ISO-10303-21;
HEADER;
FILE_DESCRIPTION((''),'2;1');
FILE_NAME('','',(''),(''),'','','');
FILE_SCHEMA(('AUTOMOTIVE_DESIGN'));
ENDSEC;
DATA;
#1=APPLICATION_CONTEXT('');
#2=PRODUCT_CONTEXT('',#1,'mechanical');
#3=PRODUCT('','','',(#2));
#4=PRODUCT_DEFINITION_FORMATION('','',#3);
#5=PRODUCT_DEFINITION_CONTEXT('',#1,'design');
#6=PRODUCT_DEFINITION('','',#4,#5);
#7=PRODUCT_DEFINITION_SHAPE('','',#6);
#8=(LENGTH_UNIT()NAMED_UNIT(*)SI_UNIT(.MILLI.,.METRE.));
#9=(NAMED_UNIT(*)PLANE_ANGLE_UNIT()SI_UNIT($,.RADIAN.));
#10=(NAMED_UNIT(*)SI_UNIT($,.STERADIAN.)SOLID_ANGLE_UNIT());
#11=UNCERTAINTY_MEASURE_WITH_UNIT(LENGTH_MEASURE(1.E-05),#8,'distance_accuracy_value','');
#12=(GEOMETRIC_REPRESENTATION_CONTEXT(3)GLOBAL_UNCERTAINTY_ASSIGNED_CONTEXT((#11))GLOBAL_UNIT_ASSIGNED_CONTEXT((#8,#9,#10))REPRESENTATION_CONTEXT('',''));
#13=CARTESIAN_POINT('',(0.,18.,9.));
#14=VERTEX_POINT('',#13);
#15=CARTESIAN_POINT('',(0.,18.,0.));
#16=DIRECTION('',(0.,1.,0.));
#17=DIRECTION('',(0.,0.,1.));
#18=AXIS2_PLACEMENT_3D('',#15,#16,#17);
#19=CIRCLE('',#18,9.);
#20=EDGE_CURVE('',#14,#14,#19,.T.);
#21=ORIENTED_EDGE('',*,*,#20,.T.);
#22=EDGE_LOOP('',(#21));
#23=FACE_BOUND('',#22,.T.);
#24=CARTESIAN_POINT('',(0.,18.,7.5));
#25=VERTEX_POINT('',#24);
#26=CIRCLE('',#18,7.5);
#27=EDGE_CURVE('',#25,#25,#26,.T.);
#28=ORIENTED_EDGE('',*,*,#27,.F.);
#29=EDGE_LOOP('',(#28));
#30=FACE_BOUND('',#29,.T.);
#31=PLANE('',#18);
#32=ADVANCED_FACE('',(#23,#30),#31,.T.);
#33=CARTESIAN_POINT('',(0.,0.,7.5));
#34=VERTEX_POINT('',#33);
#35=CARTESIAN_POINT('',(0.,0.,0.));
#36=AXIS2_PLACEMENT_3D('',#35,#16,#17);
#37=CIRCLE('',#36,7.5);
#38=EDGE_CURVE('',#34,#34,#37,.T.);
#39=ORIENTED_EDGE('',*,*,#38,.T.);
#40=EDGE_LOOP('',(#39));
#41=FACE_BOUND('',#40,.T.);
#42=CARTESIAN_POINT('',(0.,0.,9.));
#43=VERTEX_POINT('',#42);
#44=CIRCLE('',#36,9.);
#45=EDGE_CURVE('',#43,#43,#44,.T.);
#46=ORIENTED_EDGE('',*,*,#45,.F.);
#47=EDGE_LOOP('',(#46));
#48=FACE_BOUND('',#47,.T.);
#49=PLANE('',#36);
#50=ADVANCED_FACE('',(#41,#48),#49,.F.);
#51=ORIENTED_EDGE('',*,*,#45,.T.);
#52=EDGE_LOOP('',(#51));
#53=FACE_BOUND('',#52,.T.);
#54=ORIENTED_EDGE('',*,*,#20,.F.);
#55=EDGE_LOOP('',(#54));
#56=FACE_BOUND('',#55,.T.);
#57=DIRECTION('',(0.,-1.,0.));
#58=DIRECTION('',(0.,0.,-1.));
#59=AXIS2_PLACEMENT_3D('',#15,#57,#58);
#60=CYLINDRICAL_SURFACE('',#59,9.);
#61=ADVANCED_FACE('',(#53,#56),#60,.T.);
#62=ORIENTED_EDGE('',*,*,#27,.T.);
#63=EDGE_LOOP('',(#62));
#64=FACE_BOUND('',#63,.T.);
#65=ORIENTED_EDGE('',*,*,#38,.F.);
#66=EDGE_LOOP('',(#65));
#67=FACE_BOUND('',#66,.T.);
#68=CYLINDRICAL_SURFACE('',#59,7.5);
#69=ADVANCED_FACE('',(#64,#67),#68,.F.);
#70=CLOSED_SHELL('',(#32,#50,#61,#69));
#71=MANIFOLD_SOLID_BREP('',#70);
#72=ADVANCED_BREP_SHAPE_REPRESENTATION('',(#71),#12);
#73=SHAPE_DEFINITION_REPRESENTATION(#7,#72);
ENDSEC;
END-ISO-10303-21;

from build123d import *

# Parameters (mm, degrees)
SKETCH1_R           = 9
SKETCH1_R_2         = 7.5
BOSS_EXTRUDE1_DEPTH = 18


with BuildPart() as part:
    # Sketch1 → Boss-Extrude1 (new body)
    with BuildSketch(Plane(origin=(0, 0, 0), x_dir=(1, 0, 0), z_dir=(0, 1, 0))):
        Circle(SKETCH1_R)
        Circle(SKETCH1_R_2, mode=Mode.SUBTRACT)
    extrude(amount=BOSS_EXTRUDE1_DEPTH)


solid = part.part
